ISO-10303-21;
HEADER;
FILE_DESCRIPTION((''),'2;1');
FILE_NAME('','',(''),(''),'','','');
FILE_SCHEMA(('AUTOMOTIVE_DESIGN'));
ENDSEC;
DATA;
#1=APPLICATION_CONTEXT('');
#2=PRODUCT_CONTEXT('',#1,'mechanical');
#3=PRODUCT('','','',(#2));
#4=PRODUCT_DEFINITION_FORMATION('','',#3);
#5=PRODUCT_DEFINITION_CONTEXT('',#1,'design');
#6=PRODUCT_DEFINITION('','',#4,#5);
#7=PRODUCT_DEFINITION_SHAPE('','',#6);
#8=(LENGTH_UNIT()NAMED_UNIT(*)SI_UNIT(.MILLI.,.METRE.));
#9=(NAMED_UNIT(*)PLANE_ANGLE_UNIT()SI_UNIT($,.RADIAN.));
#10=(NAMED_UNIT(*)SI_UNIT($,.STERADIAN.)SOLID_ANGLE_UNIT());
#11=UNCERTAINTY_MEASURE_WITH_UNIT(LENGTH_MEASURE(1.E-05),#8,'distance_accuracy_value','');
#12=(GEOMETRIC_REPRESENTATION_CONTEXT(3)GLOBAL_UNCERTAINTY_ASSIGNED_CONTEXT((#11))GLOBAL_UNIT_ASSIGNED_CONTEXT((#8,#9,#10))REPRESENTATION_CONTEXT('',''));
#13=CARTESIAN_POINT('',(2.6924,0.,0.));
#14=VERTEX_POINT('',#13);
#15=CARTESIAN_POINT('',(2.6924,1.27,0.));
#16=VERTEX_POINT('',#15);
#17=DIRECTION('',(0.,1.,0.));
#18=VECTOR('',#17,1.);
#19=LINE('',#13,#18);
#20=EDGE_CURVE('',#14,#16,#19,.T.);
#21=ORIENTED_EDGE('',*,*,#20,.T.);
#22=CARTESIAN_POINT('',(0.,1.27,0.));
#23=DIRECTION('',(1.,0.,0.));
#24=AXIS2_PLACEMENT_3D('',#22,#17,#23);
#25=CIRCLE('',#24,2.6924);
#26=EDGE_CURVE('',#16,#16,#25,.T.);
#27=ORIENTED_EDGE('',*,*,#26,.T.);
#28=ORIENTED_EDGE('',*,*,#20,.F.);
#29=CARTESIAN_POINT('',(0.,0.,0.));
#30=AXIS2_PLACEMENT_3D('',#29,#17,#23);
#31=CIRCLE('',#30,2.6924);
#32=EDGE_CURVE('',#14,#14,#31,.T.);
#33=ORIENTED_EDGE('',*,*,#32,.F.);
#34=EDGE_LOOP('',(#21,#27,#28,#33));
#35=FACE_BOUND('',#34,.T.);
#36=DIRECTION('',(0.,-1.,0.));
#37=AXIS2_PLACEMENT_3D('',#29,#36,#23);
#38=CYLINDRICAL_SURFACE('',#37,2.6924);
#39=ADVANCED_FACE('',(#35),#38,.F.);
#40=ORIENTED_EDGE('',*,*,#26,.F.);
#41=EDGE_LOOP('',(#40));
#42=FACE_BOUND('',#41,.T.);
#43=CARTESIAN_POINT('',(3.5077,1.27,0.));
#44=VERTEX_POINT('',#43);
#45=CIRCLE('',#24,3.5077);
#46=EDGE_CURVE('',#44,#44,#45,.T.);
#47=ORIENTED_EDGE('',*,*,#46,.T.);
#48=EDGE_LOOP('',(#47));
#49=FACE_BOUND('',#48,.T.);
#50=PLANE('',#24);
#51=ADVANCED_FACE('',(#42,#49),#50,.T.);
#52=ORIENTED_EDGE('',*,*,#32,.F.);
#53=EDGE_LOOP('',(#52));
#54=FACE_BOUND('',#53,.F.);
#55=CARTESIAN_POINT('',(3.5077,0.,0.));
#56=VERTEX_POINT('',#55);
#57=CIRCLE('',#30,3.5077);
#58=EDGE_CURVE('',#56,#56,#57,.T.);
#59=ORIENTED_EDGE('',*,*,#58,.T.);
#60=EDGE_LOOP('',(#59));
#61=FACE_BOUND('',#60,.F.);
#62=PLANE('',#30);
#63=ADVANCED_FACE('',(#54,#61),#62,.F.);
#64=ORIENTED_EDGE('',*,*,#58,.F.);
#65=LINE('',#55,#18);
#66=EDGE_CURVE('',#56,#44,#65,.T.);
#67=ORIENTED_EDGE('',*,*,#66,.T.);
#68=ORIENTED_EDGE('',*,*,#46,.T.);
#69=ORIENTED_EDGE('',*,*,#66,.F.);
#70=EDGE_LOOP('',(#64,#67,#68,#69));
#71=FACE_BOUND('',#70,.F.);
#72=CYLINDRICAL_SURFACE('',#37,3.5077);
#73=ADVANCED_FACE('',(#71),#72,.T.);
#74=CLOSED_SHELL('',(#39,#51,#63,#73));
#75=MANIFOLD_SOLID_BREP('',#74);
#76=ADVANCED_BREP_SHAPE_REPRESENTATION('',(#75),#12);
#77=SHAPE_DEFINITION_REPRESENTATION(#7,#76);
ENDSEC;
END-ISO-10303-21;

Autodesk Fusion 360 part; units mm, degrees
sketch "Sketch1" plane through (0, 0, 0) normal (0, 1, 0) x (1, 0, 0)
  circle A0 centre (0, 0) radius 2.6289 construction
  circle A1 centre (0, 0) radius 2.9997 construction
  circle A2 centre (0, 0) radius 3.5077
  circle A3 centre (0, 0) radius 2.6924
  circle A4 centre (0, 0) radius 2.5006 construction
  dimension "d1" = 5.2578
  dimension "d2" = 5.9995
  dimension "d3" = 0.508
  dimension "d4" = 5.3848
  dimension "d5" = 5.0013
extrude "Extrude1" add sketch "Sketch1" along normal blind 1.27
equation "d1 = 0.1969 in + 0.0101 in"
equation "d4 = 0.1969 in + 0.0151 in"
equation "d6 = 0.2 in - 0.15 in"
